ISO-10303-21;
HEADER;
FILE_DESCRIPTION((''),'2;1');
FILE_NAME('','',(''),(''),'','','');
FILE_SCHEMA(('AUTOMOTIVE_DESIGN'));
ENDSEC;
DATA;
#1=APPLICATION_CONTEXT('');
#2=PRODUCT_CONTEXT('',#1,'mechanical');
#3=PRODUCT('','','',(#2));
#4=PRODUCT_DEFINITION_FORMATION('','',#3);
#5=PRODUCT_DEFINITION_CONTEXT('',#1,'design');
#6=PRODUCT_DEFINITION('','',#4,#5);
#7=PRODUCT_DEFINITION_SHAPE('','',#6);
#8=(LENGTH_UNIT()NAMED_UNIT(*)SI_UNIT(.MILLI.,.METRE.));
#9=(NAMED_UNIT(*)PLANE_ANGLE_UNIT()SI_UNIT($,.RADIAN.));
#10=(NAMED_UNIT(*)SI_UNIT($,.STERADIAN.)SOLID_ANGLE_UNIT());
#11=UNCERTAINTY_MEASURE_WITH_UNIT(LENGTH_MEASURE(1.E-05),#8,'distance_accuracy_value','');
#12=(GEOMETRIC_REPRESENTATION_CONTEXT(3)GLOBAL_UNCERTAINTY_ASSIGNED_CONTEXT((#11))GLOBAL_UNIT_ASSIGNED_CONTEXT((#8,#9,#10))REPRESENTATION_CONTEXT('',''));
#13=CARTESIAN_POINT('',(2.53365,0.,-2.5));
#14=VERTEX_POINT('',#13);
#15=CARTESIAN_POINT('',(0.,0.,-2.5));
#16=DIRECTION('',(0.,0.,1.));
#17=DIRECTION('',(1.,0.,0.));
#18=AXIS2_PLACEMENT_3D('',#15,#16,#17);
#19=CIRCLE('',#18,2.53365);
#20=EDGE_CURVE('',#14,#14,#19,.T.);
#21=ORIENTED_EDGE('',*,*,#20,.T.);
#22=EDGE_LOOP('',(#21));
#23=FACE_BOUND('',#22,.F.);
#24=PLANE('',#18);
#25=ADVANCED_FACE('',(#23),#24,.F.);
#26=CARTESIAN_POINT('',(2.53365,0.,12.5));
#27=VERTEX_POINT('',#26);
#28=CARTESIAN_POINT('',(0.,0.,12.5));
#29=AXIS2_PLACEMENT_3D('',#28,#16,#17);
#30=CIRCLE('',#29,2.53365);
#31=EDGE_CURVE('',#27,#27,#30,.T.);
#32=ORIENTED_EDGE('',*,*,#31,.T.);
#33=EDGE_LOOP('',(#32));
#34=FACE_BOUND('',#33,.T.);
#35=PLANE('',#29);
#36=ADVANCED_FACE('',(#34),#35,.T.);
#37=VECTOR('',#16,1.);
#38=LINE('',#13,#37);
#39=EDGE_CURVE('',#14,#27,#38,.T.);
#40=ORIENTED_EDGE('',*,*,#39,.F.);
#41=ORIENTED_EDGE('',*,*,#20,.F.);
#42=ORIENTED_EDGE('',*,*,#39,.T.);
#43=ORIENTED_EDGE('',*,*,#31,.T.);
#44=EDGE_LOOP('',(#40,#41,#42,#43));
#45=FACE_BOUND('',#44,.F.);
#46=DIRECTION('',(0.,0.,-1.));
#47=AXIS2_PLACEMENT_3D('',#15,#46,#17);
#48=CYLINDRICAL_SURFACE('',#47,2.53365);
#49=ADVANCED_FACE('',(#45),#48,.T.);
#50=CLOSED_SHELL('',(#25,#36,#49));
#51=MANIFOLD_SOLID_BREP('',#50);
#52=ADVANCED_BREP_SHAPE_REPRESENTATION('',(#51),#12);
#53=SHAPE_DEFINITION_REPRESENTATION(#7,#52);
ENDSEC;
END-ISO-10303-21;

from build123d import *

# Parameters (mm, degrees)
CYLINDER_R     = 2.53365
CYLINDER_DEPTH = 15


with BuildPart() as part:
    # Cylinder → Cylinder (new body)
    with BuildSketch(Plane.XY.offset(-2.5)):
        Circle(CYLINDER_R)
    extrude(amount=CYLINDER_DEPTH)


solid = part.part
